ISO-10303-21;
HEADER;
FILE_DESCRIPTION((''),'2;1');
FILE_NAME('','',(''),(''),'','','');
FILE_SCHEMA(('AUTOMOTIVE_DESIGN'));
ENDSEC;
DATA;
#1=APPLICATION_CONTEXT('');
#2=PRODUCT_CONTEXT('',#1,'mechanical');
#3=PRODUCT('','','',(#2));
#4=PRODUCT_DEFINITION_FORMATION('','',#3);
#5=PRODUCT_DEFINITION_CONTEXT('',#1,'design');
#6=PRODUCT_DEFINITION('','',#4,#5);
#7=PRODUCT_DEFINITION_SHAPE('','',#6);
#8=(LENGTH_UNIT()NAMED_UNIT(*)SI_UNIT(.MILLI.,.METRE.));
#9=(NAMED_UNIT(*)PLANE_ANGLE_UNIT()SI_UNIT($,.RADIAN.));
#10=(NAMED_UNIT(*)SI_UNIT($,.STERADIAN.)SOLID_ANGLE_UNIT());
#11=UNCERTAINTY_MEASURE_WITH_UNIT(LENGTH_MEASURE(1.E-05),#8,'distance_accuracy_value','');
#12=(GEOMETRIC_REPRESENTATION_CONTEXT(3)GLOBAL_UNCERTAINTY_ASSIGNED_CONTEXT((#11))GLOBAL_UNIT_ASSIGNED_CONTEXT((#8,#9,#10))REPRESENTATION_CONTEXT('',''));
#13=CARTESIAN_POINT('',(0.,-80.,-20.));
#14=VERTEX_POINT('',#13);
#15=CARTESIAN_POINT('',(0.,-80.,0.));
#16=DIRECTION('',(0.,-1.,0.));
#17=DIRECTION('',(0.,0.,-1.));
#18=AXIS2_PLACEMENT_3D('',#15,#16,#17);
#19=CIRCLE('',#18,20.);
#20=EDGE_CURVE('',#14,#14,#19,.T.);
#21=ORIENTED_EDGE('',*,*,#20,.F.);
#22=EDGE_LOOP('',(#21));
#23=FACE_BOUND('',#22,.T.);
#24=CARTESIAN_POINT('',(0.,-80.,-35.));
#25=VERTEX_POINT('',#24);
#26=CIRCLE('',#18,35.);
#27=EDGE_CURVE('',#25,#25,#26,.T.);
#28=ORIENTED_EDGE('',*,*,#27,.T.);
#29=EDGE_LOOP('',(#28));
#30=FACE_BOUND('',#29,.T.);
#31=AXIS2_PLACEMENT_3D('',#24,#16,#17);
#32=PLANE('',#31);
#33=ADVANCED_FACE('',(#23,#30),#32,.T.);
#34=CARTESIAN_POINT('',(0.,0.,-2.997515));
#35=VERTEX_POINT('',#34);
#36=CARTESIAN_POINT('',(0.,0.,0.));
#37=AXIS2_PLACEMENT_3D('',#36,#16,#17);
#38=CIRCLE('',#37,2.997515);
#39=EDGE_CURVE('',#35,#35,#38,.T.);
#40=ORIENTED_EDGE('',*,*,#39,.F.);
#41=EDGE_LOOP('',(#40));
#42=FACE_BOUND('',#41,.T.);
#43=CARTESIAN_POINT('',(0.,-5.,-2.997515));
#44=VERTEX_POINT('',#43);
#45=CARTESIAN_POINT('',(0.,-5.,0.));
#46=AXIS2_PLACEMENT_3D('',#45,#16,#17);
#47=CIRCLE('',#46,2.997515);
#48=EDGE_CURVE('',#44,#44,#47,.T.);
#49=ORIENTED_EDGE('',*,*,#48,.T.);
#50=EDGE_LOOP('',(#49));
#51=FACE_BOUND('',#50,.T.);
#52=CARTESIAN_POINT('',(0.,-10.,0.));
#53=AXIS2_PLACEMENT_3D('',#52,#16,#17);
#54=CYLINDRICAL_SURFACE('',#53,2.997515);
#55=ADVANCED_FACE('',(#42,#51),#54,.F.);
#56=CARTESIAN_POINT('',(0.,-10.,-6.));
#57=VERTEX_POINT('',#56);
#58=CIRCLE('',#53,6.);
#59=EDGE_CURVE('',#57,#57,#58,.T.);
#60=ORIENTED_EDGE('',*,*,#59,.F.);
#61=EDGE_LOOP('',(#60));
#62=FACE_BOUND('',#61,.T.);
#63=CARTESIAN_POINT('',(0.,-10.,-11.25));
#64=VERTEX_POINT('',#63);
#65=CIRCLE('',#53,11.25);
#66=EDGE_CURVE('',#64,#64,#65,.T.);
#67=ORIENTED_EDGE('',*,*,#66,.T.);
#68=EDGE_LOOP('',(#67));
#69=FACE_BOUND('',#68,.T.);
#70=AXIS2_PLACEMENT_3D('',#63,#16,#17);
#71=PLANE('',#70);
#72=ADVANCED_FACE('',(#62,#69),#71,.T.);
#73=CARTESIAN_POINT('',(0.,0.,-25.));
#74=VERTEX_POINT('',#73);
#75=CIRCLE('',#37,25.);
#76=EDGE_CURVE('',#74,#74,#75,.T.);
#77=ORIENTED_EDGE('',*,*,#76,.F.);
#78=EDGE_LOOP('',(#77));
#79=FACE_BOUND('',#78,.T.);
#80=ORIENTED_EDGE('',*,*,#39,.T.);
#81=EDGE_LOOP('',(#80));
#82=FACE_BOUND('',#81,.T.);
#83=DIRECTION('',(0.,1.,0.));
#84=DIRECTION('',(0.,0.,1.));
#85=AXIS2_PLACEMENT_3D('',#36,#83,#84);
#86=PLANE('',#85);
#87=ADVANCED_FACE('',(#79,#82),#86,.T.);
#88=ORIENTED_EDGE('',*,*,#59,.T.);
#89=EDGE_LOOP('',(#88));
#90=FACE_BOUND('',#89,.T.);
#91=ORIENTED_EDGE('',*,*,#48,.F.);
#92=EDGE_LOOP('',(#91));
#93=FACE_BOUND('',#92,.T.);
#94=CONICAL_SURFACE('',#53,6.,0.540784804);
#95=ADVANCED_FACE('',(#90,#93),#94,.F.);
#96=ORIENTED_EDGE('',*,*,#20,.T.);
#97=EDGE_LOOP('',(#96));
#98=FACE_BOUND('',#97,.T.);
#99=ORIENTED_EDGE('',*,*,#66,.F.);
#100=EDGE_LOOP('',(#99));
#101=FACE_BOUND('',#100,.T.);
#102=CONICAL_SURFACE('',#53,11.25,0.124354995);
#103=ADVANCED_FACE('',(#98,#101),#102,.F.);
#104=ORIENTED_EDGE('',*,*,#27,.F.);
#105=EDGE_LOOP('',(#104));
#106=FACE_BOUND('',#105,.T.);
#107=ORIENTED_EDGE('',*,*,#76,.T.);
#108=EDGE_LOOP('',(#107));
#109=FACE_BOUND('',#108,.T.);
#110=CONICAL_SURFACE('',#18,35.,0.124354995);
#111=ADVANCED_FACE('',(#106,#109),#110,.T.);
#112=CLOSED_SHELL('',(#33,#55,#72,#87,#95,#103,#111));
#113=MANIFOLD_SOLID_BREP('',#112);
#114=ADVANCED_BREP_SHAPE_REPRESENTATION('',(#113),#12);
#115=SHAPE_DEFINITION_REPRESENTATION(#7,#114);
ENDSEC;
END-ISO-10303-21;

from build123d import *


with BuildPart() as part:
    # Croquis2 → Revolución1 (revolve)
    with BuildSketch(Plane(origin=(0, 0, 0), x_dir=(0, 0, -1), z_dir=(1, 0, 0))):
        Polygon((0, 0), (25, 0), (35, -80), (20, -80), (11.25, -10), (0, -10), align=None)
    revolve(axis=Axis((0, -10, 0), (0, 1, 0)))

    # Croquis5 → Cortar-Revolución1 (revolve, cut)
    with BuildSketch(Plane(origin=(0, 0, 0), x_dir=(0, 0, -1), z_dir=(1, 0, 0))):
        Polygon((0, -10), (0, 0), (2.997515389, 0), (2.997515389, -5), (6, -10), align=None)
    revolve(axis=Axis((0, -10, 0), (0, 1, 0)), mode=Mode.SUBTRACT)


solid = part.part
